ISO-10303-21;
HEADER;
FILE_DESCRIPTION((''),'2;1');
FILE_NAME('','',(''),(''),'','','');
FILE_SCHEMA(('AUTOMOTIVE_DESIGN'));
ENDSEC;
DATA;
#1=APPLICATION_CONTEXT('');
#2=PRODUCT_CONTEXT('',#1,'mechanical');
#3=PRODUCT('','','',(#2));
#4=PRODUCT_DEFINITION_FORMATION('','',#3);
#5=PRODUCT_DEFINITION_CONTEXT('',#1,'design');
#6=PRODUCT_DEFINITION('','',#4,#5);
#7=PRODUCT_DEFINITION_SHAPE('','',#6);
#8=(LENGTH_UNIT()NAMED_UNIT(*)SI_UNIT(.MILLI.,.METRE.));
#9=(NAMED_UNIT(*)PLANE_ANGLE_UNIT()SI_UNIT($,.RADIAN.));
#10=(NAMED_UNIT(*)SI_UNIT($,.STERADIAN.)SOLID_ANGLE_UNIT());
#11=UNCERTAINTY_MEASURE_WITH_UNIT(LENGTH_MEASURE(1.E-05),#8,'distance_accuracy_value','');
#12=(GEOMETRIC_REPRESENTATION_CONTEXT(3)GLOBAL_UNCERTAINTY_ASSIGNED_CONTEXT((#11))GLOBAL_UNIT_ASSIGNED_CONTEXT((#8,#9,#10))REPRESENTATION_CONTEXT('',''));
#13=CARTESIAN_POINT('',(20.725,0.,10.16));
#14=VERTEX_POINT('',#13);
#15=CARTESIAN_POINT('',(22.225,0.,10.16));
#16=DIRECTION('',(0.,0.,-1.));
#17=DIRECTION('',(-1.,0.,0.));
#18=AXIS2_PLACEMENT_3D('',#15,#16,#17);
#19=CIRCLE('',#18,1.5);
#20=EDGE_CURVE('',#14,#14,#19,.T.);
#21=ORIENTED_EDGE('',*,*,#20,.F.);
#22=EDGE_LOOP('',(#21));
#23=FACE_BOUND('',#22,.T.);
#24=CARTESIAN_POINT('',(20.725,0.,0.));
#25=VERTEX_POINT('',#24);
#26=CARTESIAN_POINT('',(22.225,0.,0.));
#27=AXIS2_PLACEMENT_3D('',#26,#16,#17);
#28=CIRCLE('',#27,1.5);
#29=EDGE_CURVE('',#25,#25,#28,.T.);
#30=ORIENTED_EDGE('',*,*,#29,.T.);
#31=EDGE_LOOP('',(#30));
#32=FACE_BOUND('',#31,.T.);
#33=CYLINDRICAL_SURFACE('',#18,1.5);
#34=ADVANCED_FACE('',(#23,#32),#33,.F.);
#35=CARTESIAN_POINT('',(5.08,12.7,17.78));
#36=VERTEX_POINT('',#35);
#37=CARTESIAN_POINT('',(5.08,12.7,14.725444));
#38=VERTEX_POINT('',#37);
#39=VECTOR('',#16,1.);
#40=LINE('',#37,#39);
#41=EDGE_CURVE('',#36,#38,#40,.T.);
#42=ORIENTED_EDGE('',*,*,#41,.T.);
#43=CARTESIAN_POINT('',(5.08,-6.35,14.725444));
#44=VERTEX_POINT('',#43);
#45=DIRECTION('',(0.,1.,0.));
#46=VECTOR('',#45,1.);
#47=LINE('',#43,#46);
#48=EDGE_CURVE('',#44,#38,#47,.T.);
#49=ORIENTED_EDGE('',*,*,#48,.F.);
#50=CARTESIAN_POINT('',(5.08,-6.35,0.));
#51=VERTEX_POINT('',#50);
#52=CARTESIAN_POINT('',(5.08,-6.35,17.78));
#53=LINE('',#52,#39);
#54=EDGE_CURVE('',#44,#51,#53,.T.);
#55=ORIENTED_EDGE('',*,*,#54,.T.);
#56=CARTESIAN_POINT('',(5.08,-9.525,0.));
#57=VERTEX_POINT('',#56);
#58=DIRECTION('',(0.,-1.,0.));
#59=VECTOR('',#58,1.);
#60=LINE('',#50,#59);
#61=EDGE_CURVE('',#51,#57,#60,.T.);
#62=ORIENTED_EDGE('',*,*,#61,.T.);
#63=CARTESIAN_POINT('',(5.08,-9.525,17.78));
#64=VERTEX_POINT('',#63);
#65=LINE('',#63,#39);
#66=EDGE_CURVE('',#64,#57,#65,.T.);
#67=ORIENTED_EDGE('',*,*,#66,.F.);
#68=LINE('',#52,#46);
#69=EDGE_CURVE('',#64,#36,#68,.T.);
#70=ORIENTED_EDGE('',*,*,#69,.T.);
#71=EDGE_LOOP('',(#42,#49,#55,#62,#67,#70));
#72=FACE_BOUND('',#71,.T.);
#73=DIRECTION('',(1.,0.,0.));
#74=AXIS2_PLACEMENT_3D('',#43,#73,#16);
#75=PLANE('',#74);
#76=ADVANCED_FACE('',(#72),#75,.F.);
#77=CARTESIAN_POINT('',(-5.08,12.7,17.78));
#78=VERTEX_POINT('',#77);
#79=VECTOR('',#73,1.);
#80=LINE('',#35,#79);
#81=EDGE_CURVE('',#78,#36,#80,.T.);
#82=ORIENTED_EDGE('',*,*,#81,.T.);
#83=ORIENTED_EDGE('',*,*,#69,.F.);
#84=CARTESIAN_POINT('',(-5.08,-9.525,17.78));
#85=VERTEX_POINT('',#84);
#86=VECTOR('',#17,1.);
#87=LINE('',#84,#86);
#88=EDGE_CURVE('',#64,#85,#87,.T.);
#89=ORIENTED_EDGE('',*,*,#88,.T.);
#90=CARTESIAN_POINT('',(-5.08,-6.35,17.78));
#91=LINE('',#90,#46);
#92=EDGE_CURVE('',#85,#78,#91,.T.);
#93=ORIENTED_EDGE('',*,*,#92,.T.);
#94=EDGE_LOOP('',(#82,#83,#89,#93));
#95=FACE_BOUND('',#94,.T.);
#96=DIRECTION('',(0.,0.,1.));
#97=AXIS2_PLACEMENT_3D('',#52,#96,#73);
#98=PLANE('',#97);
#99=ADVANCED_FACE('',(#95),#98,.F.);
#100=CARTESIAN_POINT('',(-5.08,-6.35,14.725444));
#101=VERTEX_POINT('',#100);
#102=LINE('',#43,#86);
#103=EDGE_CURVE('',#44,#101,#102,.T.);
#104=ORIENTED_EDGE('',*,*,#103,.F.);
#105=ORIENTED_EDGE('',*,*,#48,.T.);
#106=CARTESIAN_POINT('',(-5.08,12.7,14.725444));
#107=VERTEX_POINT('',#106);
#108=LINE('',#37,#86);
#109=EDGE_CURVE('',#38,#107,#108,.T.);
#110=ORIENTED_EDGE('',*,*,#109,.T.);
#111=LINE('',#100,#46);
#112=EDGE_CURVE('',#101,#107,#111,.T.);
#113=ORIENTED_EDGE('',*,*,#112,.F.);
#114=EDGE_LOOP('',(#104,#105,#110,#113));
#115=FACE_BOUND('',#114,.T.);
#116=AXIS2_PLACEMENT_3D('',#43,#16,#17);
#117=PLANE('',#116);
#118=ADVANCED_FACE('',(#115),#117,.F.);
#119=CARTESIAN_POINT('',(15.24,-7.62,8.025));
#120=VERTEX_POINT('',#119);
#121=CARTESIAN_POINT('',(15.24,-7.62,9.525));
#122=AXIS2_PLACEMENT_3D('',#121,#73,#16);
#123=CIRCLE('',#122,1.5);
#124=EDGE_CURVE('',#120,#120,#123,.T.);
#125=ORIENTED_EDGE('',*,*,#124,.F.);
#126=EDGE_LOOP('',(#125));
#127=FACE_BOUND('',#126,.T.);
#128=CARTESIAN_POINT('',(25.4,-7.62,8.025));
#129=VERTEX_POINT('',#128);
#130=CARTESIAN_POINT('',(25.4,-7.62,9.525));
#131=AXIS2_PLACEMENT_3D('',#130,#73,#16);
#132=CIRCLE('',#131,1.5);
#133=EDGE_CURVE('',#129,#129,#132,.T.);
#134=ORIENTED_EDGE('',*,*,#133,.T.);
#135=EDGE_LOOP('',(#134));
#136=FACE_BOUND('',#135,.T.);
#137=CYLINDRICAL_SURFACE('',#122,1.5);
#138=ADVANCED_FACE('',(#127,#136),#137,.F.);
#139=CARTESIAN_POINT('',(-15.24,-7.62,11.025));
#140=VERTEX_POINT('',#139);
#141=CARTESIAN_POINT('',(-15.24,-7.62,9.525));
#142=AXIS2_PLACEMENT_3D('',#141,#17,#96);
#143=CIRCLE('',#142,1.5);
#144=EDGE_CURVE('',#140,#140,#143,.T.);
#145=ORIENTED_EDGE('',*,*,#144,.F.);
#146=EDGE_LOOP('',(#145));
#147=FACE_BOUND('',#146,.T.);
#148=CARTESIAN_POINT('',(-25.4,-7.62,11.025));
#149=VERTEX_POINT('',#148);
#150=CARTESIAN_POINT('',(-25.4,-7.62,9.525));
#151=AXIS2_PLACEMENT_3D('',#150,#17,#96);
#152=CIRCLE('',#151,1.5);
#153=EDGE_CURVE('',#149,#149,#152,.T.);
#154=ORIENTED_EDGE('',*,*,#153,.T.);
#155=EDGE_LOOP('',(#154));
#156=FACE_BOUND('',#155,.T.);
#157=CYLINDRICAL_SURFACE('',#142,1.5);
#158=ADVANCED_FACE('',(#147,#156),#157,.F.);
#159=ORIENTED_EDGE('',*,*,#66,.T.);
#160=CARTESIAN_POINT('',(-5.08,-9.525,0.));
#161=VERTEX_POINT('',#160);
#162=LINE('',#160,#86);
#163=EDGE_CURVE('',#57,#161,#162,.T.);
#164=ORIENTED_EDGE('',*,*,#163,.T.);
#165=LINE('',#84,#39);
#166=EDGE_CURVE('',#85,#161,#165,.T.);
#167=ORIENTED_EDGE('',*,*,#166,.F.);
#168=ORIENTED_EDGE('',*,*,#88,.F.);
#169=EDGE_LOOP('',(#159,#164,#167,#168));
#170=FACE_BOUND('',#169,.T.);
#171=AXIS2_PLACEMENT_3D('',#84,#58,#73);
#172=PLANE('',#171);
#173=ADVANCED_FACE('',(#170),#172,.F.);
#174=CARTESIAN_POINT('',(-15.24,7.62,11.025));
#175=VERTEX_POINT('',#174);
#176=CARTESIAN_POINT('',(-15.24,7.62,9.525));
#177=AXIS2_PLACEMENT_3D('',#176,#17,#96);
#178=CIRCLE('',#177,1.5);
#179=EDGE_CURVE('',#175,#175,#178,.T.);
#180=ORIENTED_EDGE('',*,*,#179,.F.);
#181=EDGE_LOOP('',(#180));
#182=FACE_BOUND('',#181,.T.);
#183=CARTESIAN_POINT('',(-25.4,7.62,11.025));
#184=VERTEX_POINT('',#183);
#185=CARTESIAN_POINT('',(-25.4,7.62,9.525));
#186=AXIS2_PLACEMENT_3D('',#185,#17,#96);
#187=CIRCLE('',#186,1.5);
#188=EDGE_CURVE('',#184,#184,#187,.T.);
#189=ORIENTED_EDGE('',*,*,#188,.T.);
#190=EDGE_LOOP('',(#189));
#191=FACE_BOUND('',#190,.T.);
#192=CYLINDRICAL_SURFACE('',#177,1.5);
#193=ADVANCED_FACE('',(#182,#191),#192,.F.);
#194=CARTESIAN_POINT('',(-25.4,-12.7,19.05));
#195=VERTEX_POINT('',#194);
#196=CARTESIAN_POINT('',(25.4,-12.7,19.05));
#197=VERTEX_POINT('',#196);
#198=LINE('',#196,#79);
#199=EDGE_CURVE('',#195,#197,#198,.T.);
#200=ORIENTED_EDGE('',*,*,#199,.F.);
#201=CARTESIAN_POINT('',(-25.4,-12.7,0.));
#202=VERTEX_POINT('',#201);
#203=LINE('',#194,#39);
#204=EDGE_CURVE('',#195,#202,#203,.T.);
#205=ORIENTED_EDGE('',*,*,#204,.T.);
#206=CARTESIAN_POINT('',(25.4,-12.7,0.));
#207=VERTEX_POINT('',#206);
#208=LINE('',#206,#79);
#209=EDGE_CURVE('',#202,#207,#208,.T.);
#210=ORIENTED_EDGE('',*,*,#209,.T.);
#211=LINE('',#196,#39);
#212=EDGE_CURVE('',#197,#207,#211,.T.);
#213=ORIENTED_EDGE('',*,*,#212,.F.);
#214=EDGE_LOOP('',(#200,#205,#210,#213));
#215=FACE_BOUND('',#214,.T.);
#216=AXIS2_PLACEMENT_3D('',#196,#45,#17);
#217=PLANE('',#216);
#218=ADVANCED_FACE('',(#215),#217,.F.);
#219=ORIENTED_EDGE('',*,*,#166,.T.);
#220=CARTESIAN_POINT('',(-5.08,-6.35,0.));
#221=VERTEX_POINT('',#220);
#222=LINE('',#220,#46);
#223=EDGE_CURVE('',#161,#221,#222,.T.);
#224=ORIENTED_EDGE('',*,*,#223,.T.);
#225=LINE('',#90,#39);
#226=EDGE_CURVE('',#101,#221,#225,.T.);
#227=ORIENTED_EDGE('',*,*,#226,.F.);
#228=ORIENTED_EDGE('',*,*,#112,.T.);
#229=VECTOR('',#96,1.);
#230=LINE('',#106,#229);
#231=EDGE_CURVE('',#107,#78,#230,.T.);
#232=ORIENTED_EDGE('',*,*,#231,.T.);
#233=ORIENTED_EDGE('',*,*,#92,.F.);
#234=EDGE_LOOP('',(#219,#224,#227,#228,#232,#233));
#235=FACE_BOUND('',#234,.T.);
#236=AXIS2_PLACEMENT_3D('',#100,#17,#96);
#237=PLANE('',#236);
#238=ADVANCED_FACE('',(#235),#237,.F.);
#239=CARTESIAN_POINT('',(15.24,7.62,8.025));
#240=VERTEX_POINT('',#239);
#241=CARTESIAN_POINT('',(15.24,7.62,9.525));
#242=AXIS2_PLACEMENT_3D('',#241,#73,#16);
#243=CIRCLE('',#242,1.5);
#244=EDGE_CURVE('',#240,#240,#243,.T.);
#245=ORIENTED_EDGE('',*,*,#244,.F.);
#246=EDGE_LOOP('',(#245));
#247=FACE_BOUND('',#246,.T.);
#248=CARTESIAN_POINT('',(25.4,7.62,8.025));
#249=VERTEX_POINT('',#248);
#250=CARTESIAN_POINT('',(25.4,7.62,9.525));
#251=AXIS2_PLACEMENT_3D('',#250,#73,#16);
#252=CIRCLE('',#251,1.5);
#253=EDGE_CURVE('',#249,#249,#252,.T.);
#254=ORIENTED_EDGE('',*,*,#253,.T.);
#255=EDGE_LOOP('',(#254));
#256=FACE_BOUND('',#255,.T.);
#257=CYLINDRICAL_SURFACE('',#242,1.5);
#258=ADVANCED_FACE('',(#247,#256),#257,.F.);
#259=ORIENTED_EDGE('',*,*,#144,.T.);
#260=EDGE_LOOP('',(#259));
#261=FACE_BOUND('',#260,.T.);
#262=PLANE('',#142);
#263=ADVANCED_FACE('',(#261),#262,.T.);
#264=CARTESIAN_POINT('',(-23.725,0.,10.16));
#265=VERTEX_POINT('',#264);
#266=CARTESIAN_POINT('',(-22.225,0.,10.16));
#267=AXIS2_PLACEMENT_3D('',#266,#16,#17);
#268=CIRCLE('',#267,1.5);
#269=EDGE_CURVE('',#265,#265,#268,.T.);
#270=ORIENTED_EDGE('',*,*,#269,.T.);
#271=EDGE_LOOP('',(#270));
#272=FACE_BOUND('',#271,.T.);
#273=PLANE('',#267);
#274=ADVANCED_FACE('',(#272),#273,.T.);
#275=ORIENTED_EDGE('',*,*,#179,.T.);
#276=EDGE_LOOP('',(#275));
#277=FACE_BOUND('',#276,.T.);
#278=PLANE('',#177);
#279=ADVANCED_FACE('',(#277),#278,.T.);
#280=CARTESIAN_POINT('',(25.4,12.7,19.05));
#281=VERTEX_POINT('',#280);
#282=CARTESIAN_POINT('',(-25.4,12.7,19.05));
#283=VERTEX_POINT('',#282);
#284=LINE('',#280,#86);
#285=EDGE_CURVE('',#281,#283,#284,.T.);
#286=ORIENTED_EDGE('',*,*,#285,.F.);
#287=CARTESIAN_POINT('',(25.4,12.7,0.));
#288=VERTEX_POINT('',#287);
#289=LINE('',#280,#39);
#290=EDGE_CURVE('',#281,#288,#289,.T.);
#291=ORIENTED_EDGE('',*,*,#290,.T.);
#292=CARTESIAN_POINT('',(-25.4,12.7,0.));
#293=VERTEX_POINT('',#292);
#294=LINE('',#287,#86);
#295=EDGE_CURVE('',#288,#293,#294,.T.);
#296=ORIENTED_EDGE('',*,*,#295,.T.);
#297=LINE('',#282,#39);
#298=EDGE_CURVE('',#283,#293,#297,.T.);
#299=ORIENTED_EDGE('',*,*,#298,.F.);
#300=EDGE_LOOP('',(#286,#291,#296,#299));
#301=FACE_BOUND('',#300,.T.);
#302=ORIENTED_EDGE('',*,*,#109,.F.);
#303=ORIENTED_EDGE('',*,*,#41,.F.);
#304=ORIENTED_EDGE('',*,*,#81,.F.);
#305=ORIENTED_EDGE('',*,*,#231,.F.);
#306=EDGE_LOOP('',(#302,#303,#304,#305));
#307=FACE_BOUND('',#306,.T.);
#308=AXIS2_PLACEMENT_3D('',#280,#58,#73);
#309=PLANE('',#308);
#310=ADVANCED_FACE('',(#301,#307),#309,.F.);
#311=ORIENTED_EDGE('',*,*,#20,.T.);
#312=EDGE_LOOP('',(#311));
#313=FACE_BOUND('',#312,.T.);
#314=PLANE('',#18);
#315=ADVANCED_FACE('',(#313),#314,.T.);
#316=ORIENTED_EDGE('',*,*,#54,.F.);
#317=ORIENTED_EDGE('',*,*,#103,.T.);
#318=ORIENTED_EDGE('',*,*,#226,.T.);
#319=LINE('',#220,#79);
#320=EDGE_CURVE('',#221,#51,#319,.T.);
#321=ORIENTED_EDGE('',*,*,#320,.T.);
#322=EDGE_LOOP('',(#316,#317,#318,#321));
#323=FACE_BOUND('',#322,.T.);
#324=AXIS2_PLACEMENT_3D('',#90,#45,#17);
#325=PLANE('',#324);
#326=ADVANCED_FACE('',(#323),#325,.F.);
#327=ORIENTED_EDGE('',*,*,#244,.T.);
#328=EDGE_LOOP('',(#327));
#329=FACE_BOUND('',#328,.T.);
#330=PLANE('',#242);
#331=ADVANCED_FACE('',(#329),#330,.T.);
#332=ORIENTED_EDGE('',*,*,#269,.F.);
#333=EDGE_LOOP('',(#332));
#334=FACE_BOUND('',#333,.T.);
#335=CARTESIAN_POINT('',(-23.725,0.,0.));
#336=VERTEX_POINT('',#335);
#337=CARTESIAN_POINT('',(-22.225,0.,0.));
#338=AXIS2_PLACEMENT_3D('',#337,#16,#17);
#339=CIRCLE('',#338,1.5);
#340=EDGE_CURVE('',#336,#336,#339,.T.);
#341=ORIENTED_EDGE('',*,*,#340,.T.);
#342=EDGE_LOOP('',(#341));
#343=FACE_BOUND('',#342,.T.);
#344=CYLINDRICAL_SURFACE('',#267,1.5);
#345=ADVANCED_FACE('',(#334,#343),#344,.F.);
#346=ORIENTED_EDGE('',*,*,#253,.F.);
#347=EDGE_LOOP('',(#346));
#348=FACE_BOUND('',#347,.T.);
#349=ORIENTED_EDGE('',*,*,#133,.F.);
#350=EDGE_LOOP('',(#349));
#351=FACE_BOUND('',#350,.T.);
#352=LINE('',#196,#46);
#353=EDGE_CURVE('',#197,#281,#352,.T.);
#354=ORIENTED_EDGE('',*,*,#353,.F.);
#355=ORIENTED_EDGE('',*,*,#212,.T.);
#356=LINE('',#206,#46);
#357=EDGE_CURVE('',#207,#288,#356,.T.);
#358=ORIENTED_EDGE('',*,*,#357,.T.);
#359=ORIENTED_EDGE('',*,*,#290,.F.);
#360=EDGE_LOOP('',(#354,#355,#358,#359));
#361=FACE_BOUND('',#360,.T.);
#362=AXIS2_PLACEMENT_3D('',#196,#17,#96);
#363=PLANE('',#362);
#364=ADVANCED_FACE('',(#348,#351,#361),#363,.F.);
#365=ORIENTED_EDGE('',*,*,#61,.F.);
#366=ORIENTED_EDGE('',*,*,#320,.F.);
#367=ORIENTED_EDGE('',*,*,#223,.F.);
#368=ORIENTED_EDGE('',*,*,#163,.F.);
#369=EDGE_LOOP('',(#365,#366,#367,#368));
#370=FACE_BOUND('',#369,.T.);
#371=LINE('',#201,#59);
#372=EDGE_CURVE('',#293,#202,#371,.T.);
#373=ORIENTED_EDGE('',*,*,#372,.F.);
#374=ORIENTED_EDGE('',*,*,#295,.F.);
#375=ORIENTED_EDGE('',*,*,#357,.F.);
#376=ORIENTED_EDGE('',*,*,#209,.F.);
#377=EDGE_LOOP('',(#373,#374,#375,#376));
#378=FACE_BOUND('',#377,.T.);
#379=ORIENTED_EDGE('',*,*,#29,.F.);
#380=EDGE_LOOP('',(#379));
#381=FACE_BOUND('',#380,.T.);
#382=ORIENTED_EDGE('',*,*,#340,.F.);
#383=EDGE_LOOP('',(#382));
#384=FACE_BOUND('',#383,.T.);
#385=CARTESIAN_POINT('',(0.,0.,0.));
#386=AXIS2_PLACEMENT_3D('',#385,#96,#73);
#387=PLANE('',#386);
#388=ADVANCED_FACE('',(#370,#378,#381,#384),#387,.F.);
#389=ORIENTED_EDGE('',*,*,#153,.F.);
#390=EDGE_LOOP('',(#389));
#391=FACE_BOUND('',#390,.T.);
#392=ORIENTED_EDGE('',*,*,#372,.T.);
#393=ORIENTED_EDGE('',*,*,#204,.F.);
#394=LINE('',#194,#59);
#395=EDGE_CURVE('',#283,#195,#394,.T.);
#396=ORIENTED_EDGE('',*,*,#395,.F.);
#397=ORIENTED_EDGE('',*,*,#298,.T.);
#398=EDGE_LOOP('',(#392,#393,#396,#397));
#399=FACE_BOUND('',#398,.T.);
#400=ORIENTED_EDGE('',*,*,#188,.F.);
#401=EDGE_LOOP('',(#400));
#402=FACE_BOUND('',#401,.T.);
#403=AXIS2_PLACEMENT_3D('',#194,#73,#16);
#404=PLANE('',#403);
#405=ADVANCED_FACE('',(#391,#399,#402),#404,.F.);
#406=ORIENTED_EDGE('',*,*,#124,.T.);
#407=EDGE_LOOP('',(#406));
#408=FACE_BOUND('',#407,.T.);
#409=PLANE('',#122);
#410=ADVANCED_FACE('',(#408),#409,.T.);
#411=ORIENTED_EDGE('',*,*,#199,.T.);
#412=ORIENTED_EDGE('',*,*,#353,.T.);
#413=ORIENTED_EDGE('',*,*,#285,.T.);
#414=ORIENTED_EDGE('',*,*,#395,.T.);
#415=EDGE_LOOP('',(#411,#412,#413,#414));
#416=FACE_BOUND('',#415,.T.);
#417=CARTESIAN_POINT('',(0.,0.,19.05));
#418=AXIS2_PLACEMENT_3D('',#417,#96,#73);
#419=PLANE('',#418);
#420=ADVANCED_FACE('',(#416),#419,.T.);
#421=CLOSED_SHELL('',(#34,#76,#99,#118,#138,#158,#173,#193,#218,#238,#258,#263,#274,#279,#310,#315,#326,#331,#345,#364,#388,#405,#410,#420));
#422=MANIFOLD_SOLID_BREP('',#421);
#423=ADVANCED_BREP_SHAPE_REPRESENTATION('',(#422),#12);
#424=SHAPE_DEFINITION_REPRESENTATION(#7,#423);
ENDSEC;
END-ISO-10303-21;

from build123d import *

# Parameters (mm, degrees)
SKETCH1_W           = 50.8
SKETCH1_H           = 25.4
BOSS_EXTRUDE1_DEPTH = 19.05
SKETCH4_W           = 10.16
SKETCH4_H           = 3.054556314
CUT_EXTRUDE2_DEPTH  = 19.05
SKETCH5_W           = 10.16
SKETCH5_H           = 3.175
CUT_EXTRUDE3_DEPTH  = 17.78
SKETCH6_R           = 1.5
CUT_EXTRUDE4_DEPTH  = 10.16
CUT_EXTRUDE5_START  = -10.16
SKETCH7_R           = 1.5
CUT_EXTRUDE5_DEPTH  = 10.16
SKETCH8_R           = 1.5
CUT_EXTRUDE6_DEPTH  = 10.16


with BuildPart() as part:
    # Sketch1 → Boss-Extrude1 (new body)
    with BuildSketch(Plane.XY):
        Rectangle(SKETCH1_W, SKETCH1_H)
    extrude(amount=BOSS_EXTRUDE1_DEPTH)

    # Sketch4 → Cut-Extrude2 (cut)
    with BuildSketch(Plane(origin=(0, 12.7, 0), x_dir=(1, 0, 0), z_dir=(0, 1, 0))):
        with Locations((0, -16.252721843)):
            Rectangle(SKETCH4_W, SKETCH4_H)
    extrude(amount=-CUT_EXTRUDE2_DEPTH, mode=Mode.SUBTRACT)

    # Sketch5 → Cut-Extrude3 (cut)
    with BuildSketch(Plane(origin=(0, 0, 0), x_dir=(-1, 0, 0), z_dir=(0, 0, -1))):
        with Locations((0, -7.9375)):
            Rectangle(SKETCH5_W, SKETCH5_H)
    extrude(amount=-CUT_EXTRUDE3_DEPTH, mode=Mode.SUBTRACT)

    # Sketch6 → Cut-Extrude4 (cut)
    with BuildSketch(Plane.ZY.offset(25.4)):
        with Locations((9.525, -7.62)):
            Circle(SKETCH6_R)
        with Locations((9.525, 7.62)):
            Circle(SKETCH6_R)
    extrude(amount=-CUT_EXTRUDE4_DEPTH, mode=Mode.SUBTRACT)

    # Sketch7 → Cut-Extrude5 (cut)
    with BuildSketch(Plane(origin=(25.4, 0, 0), x_dir=(0, 0, -1), z_dir=(1, 0, 0)).offset(CUT_EXTRUDE5_START)):
        with Locations(Location((-9.525, 7.62, 0), (0, 0, 180))):
            Circle(SKETCH7_R)
        with Locations(Location((-9.525, -7.62, 0), (0, 0, 180))):
            Circle(SKETCH7_R)
    extrude(amount=CUT_EXTRUDE5_DEPTH, mode=Mode.SUBTRACT)

    # Sketch8 → Cut-Extrude6 (cut)
    with BuildSketch(Plane(origin=(0, 0, 0), x_dir=(-1, 0, 0), z_dir=(0, 0, -1))):
        with Locations((22.225, 0)):
            Circle(SKETCH8_R)
        with Locations((-22.225, 0)):
            Circle(SKETCH8_R)
    extrude(amount=-CUT_EXTRUDE6_DEPTH, mode=Mode.SUBTRACT)


solid = part.part
